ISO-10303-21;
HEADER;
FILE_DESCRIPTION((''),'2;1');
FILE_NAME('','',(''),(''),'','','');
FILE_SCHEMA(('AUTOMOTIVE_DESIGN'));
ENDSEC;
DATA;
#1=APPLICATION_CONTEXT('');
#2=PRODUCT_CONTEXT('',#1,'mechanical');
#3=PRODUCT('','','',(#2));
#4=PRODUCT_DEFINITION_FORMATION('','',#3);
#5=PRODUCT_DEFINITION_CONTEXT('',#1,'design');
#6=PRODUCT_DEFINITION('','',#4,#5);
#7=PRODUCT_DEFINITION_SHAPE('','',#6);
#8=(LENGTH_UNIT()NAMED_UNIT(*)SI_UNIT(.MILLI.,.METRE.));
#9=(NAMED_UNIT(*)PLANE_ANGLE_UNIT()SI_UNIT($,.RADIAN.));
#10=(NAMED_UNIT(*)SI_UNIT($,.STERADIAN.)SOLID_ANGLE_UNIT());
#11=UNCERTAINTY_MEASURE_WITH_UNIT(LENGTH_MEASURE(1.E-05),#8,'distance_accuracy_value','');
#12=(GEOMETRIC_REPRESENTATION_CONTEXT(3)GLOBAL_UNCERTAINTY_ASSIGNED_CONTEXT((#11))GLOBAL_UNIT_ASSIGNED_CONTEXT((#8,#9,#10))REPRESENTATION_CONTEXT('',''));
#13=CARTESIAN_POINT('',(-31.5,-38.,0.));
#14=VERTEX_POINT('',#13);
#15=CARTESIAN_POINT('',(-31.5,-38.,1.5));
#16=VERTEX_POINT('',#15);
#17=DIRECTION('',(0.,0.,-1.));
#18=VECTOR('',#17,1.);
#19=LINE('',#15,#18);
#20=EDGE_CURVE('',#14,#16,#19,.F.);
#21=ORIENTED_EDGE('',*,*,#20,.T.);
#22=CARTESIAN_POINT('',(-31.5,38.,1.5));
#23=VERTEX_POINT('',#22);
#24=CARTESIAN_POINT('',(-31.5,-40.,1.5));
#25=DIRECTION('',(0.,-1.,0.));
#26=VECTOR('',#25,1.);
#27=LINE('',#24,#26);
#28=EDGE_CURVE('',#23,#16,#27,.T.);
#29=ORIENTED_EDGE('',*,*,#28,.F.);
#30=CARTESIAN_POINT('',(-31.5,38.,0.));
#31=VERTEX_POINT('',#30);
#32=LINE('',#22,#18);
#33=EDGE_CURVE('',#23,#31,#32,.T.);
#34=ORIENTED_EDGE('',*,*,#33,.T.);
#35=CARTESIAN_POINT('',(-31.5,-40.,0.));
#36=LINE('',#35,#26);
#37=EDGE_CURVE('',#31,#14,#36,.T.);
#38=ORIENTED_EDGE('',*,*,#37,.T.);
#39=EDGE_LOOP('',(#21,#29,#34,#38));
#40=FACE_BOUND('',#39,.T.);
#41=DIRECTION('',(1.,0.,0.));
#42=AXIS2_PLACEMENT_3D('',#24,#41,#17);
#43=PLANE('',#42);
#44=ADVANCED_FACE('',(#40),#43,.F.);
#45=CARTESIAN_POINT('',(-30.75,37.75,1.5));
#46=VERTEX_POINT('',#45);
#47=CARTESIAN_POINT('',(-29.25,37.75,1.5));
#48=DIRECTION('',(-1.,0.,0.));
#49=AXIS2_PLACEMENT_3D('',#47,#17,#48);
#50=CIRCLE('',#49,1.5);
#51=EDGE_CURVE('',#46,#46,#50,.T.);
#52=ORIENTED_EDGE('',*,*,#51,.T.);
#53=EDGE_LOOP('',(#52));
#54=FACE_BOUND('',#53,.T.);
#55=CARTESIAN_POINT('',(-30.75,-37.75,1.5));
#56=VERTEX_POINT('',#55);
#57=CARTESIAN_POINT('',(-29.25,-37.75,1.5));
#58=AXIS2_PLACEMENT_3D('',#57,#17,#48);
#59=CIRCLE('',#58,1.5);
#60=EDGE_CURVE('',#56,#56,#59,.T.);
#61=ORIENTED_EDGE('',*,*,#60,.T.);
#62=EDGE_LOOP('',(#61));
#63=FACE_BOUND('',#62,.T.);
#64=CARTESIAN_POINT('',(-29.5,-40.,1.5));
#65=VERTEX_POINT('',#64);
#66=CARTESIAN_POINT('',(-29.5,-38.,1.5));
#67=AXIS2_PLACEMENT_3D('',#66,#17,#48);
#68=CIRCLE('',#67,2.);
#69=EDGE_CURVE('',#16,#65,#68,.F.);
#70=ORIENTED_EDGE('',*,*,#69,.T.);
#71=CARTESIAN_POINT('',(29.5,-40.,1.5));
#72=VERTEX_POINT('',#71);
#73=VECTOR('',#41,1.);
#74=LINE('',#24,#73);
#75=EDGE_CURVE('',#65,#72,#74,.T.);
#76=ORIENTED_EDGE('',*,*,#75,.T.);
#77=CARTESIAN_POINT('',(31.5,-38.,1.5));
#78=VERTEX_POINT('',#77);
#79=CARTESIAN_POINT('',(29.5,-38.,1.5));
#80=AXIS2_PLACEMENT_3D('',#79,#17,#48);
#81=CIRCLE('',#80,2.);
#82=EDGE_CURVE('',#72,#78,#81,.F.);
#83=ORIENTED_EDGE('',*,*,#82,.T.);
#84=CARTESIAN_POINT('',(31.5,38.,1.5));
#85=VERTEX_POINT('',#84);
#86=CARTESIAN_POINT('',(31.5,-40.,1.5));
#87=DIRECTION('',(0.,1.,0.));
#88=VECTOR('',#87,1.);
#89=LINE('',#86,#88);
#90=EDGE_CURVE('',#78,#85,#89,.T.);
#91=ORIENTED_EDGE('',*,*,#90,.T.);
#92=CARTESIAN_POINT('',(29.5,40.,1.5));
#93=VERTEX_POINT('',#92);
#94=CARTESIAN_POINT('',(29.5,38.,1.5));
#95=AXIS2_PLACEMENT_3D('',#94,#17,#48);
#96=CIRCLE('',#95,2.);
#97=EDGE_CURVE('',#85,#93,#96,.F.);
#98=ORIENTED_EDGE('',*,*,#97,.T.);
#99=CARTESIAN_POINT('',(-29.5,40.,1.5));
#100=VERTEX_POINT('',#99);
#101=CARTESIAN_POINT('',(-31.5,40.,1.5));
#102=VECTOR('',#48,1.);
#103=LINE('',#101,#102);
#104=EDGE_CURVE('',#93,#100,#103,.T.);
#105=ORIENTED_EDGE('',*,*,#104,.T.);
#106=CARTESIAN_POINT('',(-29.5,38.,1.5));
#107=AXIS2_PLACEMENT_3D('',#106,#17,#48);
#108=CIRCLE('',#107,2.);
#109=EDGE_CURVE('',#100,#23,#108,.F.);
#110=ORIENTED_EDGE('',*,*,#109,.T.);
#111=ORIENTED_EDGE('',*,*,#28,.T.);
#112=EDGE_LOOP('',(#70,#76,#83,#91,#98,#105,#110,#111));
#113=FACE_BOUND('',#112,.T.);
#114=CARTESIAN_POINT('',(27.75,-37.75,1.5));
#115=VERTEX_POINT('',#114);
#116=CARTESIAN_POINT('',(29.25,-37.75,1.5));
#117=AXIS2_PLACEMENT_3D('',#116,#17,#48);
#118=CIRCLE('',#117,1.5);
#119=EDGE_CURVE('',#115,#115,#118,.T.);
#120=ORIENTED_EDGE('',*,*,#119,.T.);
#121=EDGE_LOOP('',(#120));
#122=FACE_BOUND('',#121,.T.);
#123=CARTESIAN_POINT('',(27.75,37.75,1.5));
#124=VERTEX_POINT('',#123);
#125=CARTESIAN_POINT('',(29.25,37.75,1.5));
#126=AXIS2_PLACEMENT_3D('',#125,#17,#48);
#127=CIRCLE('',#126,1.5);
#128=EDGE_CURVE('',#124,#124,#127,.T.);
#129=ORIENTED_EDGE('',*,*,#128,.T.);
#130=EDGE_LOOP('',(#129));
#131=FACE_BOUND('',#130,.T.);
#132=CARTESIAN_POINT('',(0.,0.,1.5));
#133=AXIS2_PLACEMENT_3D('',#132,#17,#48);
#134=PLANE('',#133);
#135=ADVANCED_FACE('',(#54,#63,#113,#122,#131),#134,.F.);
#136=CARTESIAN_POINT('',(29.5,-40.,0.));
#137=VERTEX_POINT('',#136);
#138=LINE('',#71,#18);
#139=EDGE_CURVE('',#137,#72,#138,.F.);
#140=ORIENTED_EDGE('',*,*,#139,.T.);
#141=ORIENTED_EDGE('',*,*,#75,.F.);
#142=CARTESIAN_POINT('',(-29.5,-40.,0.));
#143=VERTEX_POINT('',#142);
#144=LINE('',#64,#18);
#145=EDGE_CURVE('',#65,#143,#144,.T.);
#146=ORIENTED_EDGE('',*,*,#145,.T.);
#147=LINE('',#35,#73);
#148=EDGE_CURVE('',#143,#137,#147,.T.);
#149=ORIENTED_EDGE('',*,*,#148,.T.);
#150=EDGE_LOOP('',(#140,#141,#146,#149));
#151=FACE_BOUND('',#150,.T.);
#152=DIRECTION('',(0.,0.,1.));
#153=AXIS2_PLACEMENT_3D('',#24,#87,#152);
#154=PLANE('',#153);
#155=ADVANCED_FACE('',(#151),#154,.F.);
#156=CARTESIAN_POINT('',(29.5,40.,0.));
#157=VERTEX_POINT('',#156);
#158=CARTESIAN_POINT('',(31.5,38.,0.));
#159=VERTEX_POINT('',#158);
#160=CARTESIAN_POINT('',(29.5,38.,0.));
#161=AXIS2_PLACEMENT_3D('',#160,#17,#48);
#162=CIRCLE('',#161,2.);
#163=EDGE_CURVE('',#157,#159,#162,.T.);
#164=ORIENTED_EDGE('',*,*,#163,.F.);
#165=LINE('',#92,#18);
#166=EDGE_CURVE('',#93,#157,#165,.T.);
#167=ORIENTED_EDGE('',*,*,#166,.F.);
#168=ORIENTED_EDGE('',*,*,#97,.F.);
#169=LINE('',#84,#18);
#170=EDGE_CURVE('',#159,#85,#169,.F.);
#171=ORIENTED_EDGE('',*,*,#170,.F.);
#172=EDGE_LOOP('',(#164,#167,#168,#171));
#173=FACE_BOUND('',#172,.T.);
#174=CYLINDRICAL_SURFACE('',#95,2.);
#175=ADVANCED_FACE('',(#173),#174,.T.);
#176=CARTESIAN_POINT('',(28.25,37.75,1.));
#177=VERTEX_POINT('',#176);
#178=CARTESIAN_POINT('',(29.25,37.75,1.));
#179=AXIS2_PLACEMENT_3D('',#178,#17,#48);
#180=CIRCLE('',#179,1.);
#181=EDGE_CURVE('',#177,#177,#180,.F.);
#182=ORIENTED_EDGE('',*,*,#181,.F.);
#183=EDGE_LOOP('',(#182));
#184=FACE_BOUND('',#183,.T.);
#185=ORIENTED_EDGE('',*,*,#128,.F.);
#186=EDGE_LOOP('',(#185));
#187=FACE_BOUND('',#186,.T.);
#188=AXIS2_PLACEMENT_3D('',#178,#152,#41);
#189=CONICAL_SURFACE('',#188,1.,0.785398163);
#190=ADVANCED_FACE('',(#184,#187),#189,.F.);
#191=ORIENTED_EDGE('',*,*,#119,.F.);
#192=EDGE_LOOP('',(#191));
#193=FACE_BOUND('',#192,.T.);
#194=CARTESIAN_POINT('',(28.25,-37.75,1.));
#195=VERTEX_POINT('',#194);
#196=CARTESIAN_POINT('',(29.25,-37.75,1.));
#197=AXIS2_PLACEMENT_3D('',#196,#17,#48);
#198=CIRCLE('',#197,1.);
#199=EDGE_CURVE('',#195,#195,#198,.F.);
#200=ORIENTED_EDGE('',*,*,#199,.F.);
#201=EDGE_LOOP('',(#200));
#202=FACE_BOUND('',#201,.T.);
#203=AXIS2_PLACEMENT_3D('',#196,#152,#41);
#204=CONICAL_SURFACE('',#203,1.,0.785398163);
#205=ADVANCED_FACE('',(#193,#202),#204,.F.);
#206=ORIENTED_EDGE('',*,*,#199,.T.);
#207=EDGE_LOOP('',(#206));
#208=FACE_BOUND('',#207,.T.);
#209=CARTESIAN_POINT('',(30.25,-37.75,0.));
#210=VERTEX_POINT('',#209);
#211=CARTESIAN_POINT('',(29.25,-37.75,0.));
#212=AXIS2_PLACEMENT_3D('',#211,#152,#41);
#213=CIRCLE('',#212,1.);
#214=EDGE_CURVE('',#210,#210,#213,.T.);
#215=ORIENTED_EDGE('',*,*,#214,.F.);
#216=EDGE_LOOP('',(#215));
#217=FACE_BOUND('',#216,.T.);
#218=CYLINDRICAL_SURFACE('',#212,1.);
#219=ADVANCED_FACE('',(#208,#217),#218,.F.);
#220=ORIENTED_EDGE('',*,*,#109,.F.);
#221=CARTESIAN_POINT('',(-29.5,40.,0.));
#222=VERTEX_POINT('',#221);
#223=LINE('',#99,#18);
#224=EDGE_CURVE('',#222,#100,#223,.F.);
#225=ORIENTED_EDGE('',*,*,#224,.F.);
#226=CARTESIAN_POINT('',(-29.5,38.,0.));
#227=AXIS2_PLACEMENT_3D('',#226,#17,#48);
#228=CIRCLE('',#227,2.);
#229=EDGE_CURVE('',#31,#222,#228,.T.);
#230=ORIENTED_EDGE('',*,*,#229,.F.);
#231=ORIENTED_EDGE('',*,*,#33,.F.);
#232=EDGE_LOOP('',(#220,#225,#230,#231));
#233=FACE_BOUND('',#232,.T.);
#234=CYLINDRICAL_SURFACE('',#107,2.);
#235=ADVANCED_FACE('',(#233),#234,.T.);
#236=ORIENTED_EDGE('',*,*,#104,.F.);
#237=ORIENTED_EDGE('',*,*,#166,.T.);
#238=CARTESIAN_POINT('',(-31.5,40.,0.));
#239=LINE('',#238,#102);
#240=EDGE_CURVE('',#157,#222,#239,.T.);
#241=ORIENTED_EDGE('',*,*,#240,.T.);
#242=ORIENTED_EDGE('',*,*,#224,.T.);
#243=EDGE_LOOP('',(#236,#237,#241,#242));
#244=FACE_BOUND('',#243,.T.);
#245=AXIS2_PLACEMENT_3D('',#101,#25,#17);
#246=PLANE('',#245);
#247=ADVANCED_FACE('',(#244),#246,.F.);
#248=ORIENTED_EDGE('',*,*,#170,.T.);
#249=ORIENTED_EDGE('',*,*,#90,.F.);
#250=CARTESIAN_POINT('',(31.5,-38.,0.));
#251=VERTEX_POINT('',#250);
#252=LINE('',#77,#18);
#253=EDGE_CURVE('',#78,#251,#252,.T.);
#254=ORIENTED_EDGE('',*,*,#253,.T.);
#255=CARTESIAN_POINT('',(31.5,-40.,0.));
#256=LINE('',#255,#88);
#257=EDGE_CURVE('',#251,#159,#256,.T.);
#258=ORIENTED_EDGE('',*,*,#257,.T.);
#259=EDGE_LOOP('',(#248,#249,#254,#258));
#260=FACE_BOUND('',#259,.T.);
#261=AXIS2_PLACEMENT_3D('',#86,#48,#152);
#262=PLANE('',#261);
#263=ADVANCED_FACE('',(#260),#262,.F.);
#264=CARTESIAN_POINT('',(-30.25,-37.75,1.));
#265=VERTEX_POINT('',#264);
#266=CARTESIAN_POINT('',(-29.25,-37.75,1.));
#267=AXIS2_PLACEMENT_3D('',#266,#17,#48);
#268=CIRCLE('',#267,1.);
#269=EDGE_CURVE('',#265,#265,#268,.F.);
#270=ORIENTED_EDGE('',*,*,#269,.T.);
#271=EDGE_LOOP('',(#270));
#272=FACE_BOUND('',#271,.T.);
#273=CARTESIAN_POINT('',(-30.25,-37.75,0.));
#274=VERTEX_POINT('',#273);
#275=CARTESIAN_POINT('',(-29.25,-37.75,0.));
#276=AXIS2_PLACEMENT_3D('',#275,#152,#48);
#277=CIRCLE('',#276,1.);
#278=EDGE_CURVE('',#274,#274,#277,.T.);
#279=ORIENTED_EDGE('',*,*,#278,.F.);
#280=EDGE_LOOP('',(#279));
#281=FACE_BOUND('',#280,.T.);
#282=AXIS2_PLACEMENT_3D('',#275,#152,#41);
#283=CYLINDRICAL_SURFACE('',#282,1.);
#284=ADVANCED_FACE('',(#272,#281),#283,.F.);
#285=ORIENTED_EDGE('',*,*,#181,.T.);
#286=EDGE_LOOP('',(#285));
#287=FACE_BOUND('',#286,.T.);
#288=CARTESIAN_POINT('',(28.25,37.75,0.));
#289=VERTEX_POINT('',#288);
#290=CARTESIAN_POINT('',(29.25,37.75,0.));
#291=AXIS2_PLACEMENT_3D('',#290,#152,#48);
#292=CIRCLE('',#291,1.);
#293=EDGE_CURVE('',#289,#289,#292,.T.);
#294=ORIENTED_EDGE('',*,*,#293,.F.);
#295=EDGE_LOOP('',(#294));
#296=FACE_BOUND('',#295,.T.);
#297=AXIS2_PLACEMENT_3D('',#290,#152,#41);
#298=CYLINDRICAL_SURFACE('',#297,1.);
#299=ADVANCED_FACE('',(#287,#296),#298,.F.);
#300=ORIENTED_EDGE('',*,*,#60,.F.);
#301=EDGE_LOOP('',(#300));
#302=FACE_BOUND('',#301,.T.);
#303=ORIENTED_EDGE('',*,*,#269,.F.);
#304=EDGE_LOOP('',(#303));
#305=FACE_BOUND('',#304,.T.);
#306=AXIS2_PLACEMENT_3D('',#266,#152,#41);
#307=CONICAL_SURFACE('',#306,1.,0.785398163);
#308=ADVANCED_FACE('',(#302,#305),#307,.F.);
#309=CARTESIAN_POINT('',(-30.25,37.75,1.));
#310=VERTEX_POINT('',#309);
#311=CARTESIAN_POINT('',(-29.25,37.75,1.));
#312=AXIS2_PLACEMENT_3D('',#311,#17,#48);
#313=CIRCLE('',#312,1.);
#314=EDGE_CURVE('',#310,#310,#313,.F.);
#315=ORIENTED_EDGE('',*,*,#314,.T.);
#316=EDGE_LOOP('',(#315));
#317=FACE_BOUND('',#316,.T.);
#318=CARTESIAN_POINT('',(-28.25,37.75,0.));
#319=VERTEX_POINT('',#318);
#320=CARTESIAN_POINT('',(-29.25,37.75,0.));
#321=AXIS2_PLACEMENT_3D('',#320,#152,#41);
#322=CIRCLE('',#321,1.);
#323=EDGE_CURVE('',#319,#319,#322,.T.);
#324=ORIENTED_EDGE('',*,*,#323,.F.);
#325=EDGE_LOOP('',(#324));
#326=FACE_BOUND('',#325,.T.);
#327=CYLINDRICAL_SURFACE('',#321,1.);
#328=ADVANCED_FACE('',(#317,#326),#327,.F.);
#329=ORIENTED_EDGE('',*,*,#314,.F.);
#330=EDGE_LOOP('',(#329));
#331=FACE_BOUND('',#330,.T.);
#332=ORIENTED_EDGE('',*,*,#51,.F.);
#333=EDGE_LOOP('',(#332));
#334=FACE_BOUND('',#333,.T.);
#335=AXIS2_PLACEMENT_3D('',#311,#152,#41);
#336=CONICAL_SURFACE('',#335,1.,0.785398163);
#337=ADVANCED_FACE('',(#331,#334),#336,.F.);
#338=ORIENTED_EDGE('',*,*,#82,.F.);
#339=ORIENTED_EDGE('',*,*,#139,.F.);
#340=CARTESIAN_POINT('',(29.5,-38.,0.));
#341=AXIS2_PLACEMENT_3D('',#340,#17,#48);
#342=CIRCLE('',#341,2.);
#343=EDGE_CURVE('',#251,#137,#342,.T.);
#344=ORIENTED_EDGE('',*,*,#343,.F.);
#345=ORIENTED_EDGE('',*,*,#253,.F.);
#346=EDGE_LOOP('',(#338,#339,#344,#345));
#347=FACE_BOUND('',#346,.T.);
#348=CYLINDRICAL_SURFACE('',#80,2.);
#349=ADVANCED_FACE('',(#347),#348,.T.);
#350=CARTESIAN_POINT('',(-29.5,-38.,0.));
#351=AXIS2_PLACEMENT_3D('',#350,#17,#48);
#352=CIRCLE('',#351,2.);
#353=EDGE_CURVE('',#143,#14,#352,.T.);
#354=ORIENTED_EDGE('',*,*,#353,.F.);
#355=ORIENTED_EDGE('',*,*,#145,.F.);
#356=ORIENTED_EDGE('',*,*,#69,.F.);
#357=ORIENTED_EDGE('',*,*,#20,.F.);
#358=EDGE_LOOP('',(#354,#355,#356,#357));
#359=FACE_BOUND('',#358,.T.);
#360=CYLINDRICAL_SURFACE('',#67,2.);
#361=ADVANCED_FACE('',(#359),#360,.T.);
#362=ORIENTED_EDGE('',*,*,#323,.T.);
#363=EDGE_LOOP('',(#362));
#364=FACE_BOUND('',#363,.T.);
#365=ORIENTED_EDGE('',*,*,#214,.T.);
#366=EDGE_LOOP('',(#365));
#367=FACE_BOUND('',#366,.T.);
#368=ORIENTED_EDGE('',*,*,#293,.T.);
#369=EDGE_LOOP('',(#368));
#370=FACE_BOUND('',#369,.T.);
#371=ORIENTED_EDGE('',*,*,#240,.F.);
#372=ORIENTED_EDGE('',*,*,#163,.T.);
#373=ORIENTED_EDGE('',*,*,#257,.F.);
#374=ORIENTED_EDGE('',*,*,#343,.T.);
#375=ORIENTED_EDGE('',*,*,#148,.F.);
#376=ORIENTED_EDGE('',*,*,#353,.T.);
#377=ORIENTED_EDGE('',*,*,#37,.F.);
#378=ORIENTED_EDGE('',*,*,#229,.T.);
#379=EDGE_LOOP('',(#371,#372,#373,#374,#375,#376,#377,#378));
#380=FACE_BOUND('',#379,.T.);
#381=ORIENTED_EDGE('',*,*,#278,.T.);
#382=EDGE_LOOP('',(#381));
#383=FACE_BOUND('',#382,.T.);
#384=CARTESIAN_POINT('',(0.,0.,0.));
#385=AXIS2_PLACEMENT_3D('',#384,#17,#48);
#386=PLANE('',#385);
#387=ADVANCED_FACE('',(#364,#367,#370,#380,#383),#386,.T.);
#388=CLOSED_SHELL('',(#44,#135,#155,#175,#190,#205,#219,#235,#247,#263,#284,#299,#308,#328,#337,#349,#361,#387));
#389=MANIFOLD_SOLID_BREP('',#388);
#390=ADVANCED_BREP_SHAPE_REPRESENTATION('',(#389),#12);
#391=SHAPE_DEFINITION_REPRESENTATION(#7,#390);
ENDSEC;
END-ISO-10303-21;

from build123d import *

# Parameters (mm, degrees)
IZIM1_W                     = 63
IZIM1_H                     = 80
Y_KSEKLIK_EKSTR_ZYON1_DEPTH = 1.5
IZIM2_R                     = 1
KES_EKSTR_ZYON1_DEPTH       = 1.5
RADYUS1_R                   = 2
PAH1_SIZE                   = 0.5


with BuildPart() as part:
    # Çizim1 → Yükseklik-Ekstrüzyon1 (new body)
    with BuildSketch(Plane.XY):
        Rectangle(IZIM1_W, IZIM1_H)
    extrude(amount=Y_KSEKLIK_EKSTR_ZYON1_DEPTH)

    # Çizim2 → Kes-Ekstrüzyon1 (cut)
    with BuildSketch(Plane.XY.offset(1.5)):
        with Locations((-29.25, 37.75)):
            Circle(IZIM2_R)
        with Locations(Location((29.25, 37.75, 0), (0, 0, 180))):
            Circle(IZIM2_R)
        with Locations((29.25, -37.75)):
            Circle(IZIM2_R)
        with Locations(Location((-29.25, -37.75, 0), (0, 0, 180))):
            Circle(IZIM2_R)
    extrude(amount=-KES_EKSTR_ZYON1_DEPTH, mode=Mode.SUBTRACT)

    # Radyus1
    radyus1_edges = [part.edges().sort_by_distance(p)[0] for p in [
        (31.5, -40, 0.75),
        (-31.5, -40, 0.75),
        (-31.5, 40, 0.75),
        (31.5, 40, 0.75),
    ]]
    fillet(radyus1_edges, radius=RADYUS1_R)

    # Pah1
    pah1_edges = [part.edges().sort_by_distance(p)[0] for p in [
        (-28.25, -37.75, 1.5),
        (28.25, -37.75, 1.5),
        (30.25, 37.75, 1.5),
        (-30.25, 37.75, 1.5),
    ]]
    chamfer(pah1_edges, length=PAH1_SIZE)


solid = part.part
